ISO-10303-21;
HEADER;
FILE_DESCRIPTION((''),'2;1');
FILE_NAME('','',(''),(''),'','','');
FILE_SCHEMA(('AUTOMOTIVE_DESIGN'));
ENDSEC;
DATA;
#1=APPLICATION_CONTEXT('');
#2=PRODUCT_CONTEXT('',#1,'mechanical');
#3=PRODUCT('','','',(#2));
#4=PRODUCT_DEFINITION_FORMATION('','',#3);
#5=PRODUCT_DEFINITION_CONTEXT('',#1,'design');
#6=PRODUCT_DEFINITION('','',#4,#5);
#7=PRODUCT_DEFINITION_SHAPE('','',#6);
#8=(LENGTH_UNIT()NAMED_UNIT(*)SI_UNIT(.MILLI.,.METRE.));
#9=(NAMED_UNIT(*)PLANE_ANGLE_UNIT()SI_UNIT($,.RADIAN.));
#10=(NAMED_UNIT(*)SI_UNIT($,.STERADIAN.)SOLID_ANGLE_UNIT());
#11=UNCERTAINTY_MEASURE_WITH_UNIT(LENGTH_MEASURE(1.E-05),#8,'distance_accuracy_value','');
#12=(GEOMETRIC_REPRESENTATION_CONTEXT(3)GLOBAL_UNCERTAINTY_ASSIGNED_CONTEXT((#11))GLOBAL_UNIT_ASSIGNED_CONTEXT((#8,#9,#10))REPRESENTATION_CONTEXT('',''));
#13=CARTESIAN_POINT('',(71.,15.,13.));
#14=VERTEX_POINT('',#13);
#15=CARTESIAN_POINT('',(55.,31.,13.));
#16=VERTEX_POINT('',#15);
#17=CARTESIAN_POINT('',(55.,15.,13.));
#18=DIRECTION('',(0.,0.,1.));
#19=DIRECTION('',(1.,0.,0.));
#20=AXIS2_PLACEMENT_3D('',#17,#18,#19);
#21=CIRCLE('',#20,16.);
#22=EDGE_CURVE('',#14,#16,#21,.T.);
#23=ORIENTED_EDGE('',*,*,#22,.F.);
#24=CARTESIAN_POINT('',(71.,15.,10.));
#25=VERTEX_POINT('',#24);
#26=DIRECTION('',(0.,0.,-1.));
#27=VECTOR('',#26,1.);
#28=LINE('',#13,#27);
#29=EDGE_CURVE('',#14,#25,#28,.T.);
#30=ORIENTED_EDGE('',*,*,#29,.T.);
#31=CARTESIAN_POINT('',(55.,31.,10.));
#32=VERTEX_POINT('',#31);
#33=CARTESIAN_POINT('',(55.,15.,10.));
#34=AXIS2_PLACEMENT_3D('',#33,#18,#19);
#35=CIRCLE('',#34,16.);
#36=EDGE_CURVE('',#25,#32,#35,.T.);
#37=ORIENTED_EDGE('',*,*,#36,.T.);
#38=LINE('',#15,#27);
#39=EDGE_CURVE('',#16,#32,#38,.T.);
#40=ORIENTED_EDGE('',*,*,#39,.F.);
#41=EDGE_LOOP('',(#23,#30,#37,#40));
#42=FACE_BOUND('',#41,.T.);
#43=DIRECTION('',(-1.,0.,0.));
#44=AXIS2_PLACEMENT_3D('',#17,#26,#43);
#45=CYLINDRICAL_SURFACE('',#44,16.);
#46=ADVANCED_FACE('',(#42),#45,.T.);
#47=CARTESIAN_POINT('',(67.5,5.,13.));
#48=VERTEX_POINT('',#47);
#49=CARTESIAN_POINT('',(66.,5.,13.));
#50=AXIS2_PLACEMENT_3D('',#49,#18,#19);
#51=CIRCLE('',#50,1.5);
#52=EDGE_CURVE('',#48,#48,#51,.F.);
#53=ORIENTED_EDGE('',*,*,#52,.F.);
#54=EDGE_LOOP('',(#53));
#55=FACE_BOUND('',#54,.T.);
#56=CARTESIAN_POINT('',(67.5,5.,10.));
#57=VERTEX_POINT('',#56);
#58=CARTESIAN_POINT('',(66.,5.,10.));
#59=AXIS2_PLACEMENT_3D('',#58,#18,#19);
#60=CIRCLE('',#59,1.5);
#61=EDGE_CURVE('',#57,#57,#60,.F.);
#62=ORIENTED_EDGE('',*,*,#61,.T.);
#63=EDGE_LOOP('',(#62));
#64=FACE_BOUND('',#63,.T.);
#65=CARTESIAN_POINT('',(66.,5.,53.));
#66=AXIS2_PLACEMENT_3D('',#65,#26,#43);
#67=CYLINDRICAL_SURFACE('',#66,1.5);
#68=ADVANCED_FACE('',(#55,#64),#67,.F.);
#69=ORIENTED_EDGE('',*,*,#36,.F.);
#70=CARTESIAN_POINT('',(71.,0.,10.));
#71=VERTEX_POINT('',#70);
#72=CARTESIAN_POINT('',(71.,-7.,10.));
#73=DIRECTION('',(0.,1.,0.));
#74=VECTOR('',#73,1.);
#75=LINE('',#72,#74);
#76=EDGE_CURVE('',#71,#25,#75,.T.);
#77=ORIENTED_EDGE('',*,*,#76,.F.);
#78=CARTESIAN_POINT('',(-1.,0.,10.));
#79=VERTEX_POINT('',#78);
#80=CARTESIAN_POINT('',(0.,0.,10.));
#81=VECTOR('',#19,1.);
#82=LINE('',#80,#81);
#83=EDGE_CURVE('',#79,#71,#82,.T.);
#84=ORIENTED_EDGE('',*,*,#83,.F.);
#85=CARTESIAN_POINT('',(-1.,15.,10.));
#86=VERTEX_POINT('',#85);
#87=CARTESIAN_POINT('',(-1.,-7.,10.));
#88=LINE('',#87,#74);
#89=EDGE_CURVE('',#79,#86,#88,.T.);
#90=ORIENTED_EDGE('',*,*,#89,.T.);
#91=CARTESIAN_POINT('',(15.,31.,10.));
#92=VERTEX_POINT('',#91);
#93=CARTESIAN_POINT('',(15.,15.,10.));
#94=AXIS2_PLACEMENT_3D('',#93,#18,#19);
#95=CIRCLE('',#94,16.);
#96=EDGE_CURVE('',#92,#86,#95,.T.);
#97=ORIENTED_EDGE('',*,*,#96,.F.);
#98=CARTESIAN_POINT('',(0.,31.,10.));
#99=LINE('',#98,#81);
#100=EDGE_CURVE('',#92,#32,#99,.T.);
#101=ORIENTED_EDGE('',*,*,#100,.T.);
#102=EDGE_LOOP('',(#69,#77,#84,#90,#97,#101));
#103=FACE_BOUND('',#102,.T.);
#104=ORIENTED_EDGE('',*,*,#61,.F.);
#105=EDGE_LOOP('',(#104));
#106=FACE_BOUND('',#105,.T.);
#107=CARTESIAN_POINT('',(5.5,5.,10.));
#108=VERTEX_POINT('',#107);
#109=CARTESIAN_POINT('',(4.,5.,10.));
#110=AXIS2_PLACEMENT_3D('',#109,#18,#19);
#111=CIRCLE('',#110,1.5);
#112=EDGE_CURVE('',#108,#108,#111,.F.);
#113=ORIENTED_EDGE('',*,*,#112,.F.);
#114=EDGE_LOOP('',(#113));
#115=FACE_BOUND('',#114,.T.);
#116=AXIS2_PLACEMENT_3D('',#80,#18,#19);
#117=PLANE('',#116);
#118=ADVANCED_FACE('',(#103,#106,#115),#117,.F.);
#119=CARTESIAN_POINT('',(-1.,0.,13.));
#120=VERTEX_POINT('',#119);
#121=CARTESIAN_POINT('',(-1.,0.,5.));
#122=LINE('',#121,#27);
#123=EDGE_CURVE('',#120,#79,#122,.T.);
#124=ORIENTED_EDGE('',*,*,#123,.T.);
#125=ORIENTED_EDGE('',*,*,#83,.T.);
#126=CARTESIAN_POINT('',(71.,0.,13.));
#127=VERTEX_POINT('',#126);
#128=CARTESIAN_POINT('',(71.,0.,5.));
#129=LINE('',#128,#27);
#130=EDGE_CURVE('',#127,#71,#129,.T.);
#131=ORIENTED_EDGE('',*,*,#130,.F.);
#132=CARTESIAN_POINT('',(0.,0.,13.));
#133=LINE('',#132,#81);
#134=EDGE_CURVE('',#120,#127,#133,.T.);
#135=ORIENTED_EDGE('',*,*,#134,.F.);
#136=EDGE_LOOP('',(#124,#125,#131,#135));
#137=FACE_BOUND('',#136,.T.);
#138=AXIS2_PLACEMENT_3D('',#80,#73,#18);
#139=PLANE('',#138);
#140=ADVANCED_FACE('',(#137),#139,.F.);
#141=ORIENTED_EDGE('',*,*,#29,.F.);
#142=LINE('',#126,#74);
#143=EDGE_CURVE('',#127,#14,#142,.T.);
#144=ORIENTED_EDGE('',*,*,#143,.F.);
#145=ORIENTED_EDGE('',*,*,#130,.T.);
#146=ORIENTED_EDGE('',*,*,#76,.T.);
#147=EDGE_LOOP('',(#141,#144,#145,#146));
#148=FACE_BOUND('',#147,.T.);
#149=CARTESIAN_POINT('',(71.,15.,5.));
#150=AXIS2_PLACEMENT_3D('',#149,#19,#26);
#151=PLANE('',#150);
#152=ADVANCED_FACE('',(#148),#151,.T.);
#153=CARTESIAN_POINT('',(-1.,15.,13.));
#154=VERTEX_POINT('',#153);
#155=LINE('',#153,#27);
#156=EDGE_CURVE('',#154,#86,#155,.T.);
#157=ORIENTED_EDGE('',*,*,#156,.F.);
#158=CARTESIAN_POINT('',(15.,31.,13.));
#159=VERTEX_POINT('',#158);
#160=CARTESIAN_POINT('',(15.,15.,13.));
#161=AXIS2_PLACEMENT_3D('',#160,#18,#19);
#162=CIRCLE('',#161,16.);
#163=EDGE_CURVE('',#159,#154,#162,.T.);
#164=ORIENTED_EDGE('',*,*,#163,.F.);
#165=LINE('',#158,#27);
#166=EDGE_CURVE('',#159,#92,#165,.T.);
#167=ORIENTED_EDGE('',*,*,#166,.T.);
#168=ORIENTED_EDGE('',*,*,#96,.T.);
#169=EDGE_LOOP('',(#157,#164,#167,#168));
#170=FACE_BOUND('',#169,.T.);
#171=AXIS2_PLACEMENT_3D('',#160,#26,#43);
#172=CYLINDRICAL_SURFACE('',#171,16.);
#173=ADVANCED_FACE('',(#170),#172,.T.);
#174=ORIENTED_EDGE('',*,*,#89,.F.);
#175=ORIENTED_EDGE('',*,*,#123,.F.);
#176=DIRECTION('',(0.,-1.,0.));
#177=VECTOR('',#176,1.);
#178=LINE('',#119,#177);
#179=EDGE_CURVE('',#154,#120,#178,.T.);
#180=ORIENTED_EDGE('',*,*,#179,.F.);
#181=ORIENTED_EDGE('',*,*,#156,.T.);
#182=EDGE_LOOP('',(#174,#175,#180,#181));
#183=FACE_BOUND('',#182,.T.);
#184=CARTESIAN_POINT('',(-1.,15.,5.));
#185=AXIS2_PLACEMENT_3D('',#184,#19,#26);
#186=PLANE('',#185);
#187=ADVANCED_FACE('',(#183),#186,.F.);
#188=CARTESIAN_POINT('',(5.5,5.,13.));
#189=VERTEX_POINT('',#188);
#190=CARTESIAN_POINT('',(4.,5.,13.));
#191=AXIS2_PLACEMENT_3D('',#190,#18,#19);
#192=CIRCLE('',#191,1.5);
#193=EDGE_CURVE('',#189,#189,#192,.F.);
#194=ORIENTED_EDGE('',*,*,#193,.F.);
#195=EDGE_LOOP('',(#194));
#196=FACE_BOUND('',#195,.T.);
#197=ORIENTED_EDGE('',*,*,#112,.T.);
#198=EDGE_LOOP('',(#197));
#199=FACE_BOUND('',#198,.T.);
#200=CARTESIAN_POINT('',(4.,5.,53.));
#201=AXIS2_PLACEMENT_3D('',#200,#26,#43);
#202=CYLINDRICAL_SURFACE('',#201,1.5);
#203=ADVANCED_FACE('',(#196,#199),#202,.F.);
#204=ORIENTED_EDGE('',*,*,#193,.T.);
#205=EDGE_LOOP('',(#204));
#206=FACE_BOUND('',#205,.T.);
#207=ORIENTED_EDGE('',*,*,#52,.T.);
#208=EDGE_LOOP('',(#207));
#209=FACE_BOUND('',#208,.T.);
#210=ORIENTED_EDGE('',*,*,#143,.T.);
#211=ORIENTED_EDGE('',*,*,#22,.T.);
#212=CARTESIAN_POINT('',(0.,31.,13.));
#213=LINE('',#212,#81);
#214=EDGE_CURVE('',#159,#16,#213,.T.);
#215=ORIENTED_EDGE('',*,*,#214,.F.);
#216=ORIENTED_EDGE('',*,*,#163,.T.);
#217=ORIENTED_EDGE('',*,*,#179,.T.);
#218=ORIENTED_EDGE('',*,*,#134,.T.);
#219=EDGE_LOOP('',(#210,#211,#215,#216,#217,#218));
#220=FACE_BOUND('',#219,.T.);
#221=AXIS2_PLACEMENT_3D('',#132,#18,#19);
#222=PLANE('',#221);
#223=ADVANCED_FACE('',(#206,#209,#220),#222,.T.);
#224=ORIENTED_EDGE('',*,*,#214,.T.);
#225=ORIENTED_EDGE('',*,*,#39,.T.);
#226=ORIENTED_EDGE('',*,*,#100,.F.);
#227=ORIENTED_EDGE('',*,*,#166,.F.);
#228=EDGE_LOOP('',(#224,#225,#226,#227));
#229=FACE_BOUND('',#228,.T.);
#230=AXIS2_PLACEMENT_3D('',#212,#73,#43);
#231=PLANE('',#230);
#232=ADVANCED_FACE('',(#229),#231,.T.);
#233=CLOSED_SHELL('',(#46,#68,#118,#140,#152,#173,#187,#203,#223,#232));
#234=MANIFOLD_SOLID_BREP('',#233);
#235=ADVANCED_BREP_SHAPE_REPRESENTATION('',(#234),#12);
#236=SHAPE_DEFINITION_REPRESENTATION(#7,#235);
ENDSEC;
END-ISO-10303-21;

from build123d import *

# Parameters (mm, degrees)
SKETCH1_W               = 70
SKETCH1_H               = 70
BOSS_EXTRUDE1_DEPTH     = 10
SKETCH2_R               = 12
SKETCH2_R_2             = 2
SKETCH2_R_3             = 11.5
CUT_EXTRUDE1_DEPTH      = 10
SKETCH3_W               = 10
SKETCH3_H               = 70
BOSS_EXTRUDE2_DEPTH     = 15
SKETCH4_W               = 10
SKETCH4_H               = 70
BOSS_EXTRUDE3_DEPTH     = 15
SKETCH5_R               = 11.5
SKETCH5_R_2             = 4
BOSS_EXTRUDE4_DEPTH     = 2
SKETCH6_R               = 1.5
SKETCH6_R_2             = 1.648708122
CUT_EXTRUDE3_DEPTH      = 10
BOSS_EXTRUDE5_START     = -10
SKETCH7_R               = 11.986708095
SKETCH7_R_2             = 2
BOSS_EXTRUDE5_DEPTH     = 10
SKETCH8_R               = 12
CUT_EXTRUDE4_DEPTH      = 10
SKETCH9_R               = 2
CUT_EXTRUDE5_DEPTH      = 10
CUT_EXTRUDE7_DEPTH      = 5
SKETCH15_W              = 14
SKETCH15_H              = 70
CUT_EXTRUDE8_DEPTH      = 5
CUT_EXTRUDE9_DEPTH      = 19
CUT_EXTRUDE9_DEPTH_BACK = 48
SKETCH16_R              = 1.5
SKETCH17_R              = 5
CUT_EXTRUDE10_DEPTH     = 19
SKETCH18_W              = 44.558304453
SKETCH18_H              = 39
BOSS_EXTRUDE6_DEPTH     = 5
SKETCH19_R              = 1.5
SKETCH19_R_2            = 5
BOSS_EXTRUDE7_DEPTH     = 3
SKETCH20_W              = 72
SKETCH20_H              = 10
CUT_EXTRUDE11_DEPTH     = 77


with BuildPart() as part:
    # Sketch1 → Boss-Extrude1 (new body)
    with BuildSketch(Plane.XY):
        with Locations((35, 35)):
            Rectangle(SKETCH1_W, SKETCH1_H)
    extrude(amount=BOSS_EXTRUDE1_DEPTH)

    # Sketch2 → Cut-Extrude1 (cut)
    with BuildSketch(Plane.XY.offset(10)):
        with Locations((35, 49)):
            Circle(SKETCH2_R)
        with Locations((19.5, 65)):
            Circle(SKETCH2_R_2)
        with Locations((50.5, 65)):
            Circle(SKETCH2_R_2)
        with Locations((19.5, 34)):
            Circle(SKETCH2_R_2)
        with Locations((50.5, 34)):
            Circle(SKETCH2_R_2)
        with Locations((15, 15)):
            Circle(SKETCH2_R_3)
        with Locations((55, 15)):
            Circle(SKETCH2_R_3)
    extrude(amount=-CUT_EXTRUDE1_DEPTH, mode=Mode.SUBTRACT)

    # Sketch3 → Boss-Extrude2 (add)
    with BuildSketch(Plane.ZY):
        with Locations((5, 35)):
            Rectangle(SKETCH3_W, SKETCH3_H)
    extrude(amount=BOSS_EXTRUDE2_DEPTH)

    # Sketch4 → Boss-Extrude3 (add)
    with BuildSketch(Plane(origin=(70, 0, 0), x_dir=(0, 0, -1), z_dir=(1, 0, 0))):
        with Locations((-5, 35)):
            Rectangle(SKETCH4_W, SKETCH4_H)
    extrude(amount=BOSS_EXTRUDE3_DEPTH)

    # Sketch5 → Boss-Extrude4 (add)
    # profile 1 of 2: a face of its own
    with BuildSketch(Plane.XY.offset(10)):
        with Locations((15, 15)):
            Circle(SKETCH5_R)
        with Locations((15, 15)):
            Circle(SKETCH5_R_2, mode=Mode.SUBTRACT)
    # profile 2 of 2: a face of its own
    with BuildSketch(Plane.XY.offset(10)):
        with Locations((55, 15)):
            Circle(SKETCH5_R)
        with Locations((55, 15)):
            Circle(SKETCH5_R_2, mode=Mode.SUBTRACT)
    extrude(amount=-BOSS_EXTRUDE4_DEPTH)

    # Sketch6 → Cut-Extrude3 (cut)
    with BuildSketch(Plane(origin=(0, 0, 0), x_dir=(-1, 0, 0), z_dir=(0, 0, -1))):
        with Locations((-80, 65)):
            Circle(SKETCH6_R)
        with Locations((-80, 5)):
            Circle(SKETCH6_R)
        with Locations((10, 65)):
            Circle(SKETCH6_R_2)
        with Locations((10, 5)):
            Circle(SKETCH6_R)
    extrude(amount=-CUT_EXTRUDE3_DEPTH, mode=Mode.SUBTRACT)

    # Sketch7 → Boss-Extrude5 (add)
    with BuildSketch(Plane(origin=(0, 0, 0), x_dir=(-1, 0, 0), z_dir=(0, 0, -1)).offset(BOSS_EXTRUDE5_START)):
        with Locations((-35, 49)):
            Circle(SKETCH7_R)
        with Locations((-50.5, 65)):
            Circle(SKETCH7_R_2)
        with Locations((-19.5, 65)):
            Circle(SKETCH7_R_2)
        with Locations((-19.5, 34)):
            Circle(SKETCH7_R_2)
        with Locations((-50.5, 34)):
            Circle(SKETCH7_R_2)
    extrude(amount=BOSS_EXTRUDE5_DEPTH)


with BuildPart() as boss_extrude5_piece_1:
    # of the separate pieces the step leaves, piece 1, a body of its own (boss_extrude5_pieces)
    add(part.part.solids().sort_by_distance((-15, 0, 0))[0])


with BuildPart() as boss_extrude5_piece_2:
    # of the separate pieces the step leaves, piece 2, a body of its own (boss_extrude5_pieces)
    add(part.part.solids().sort_by_distance((23.013291905, 49, 10))[0])


with BuildPart() as cut_extrude4_tool:
    # Sketch8 → Cut-Extrude4 (new body)
    with BuildSketch(Plane(origin=(0, 0, 0), x_dir=(-1, 0, 0), z_dir=(0, 0, -1))):
        with Locations((-33.928692494, 49)):
            Circle(SKETCH8_R)
    extrude(amount=-CUT_EXTRUDE4_DEPTH)


with BuildPart() as boss_extrude5_piece_1_1:
    add(boss_extrude5_piece_1.part)

    # Cut-Extrude4: cut by cut_extrude4_tool
    add(cut_extrude4_tool.part, mode=Mode.SUBTRACT)

    # Sketch9 → Cut-Extrude5 (cut)
    with BuildSketch(Plane(origin=(0, 0, 0), x_dir=(-1, 0, 0), z_dir=(0, 0, -1))):
        with Locations((-49.428692494, 64.5)):
            Circle(SKETCH9_R)
        with Locations((-49.428692494, 33.5)):
            Circle(SKETCH9_R)
        with Locations((-18.428692494, 33.5)):
            Circle(SKETCH9_R)
        with Locations((-18.428692494, 64.5)):
            Circle(SKETCH9_R)
    extrude(amount=-CUT_EXTRUDE5_DEPTH, mode=Mode.SUBTRACT)


with BuildPart() as boss_extrude5_piece_2_1:
    add(boss_extrude5_piece_2.part)

    # Cut-Extrude4: cut by cut_extrude4_tool
    add(cut_extrude4_tool.part, mode=Mode.SUBTRACT)


with BuildPart() as cut_extrude7_tool:
    # Sketch14 → Cut-Extrude7 (new body)
    with BuildSketch(Plane(origin=(0, 0, 0), x_dir=(-1, 0, 0), z_dir=(0, 0, -1))):
        with BuildLine():
            Line((-85, 0), (-85, 70))
            Line((-85, 70), (15, 70))
            Line((15, 70), (15, 0))
            Line((15, 0), (1, 0))
            Line((1, 0), (1, 15))
            ThreePointArc((1, 15), (-15, 31), (-31, 15))
            Line((-31, 15), (-31, 0))
            Line((-31, 0), (-39, 0))
            Line((-39, 0), (-39, 15))
            ThreePointArc((-39, 15), (-55, 31), (-71, 15))
            Line((-71, 15), (-71, 0))
            Line((-71, 0), (-85, 0))
        make_face()
    extrude(amount=-CUT_EXTRUDE7_DEPTH)


with BuildPart() as boss_extrude5_piece_1_2:
    add(boss_extrude5_piece_1_1.part)

    # Cut-Extrude7: cut by cut_extrude7_tool
    add(cut_extrude7_tool.part, mode=Mode.SUBTRACT)

    # Sketch15 → Cut-Extrude8 (cut)
    with BuildSketch(Plane(origin=(0, 0, 5), x_dir=(-1, 0, 0), z_dir=(0, 0, -1))):
        with Locations((-78, 35)):
            Rectangle(SKETCH15_W, SKETCH15_H)
        with Locations((8, 35)):
            Rectangle(SKETCH15_W, SKETCH15_H)
    extrude(amount=-CUT_EXTRUDE8_DEPTH, mode=Mode.SUBTRACT)

    # Sketch16 → Cut-Extrude9 (cut, two sides: drawn at the far end of the back side and taken through both)
    with BuildSketch(Plane(origin=(0, 0, 5), x_dir=(-1, 0, 0), z_dir=(0, 0, -1)).offset(-CUT_EXTRUDE9_DEPTH_BACK)):
        with Locations((-66, 65)):
            Circle(SKETCH16_R)
        with Locations((-66, 5)):
            Circle(SKETCH16_R)
        with Locations((-4, 5)):
            Circle(SKETCH16_R)
        with Locations((-4, 65)):
            Circle(SKETCH16_R)
    extrude(amount=CUT_EXTRUDE9_DEPTH + CUT_EXTRUDE9_DEPTH_BACK, mode=Mode.SUBTRACT)

    # Sketch17 → Cut-Extrude10 (cut)
    with BuildSketch(Plane(origin=(0, 0, 8), x_dir=(-1, 0, 0), z_dir=(0, 0, -1))):
        with Locations((-15, 15)):
            Circle(SKETCH17_R)
        with Locations((-55, 15)):
            Circle(SKETCH17_R)
    extrude(amount=-CUT_EXTRUDE10_DEPTH, mode=Mode.SUBTRACT)



with BuildPart() as boss_extrude5_piece_2_2:
    add(boss_extrude5_piece_2_1.part)

    # Cut-Extrude7: cut by cut_extrude7_tool
    add(cut_extrude7_tool.part, mode=Mode.SUBTRACT)


with BuildPart() as boss_extrude5_piece_1_3:
    add(boss_extrude5_piece_1_2.part)

    add(boss_extrude5_piece_2_2.part)  # Boss-Extrude6 merges Boss-Extrude5 piece 2
    # Sketch18 → Boss-Extrude6 (add)
    with BuildSketch(Plane(origin=(0, 0, 5), x_dir=(-1, 0, 0), z_dir=(0, 0, -1))):
        with Locations((-37.279152227, 50.5)):
            Rectangle(SKETCH18_W, SKETCH18_H)
    extrude(amount=-BOSS_EXTRUDE6_DEPTH)

    # Sketch19 → Boss-Extrude7 (add)
    # profile 1 of 3: a face of its own
    with BuildSketch(Plane.XY.offset(10)):
        with BuildLine():
            Line((71, 0), (71, 15))
            ThreePointArc((71, 15), (66.313708499, 26.313708499), (55, 31))
            Line((55, 31), (15, 31))
            ThreePointArc((15, 31), (3.686291501, 26.313708499), (-1, 15))
            Line((-1, 15), (-1, 0))
            Line((-1, 0), (71, 0))
        make_face()
        with Locations(Location((4, 5, 0), (0, 0, 180))):
            Circle(SKETCH19_R, mode=Mode.SUBTRACT)
        with Locations(Location((15, 15, 0), (0, 0, 180))):
            Circle(SKETCH19_R_2, mode=Mode.SUBTRACT)
        with Locations(Location((66, 5, 0), (0, 0, 180))):
            Circle(SKETCH19_R, mode=Mode.SUBTRACT)
        with Locations(Location((55, 15, 0), (0, 0, 180))):
            Circle(SKETCH19_R_2, mode=Mode.SUBTRACT)
    # profile 2 of 3: a face of its own
    with BuildSketch(Plane.XY.offset(10)):
        with Locations(Location((55, 15, 0), (0, 0, 180))):
            Circle(SKETCH19_R_2)
    # profile 3 of 3: a face of its own
    with BuildSketch(Plane.XY.offset(10)):
        with Locations(Location((15, 15, 0), (0, 0, 180))):
            Circle(SKETCH19_R_2)
    extrude(amount=BOSS_EXTRUDE7_DEPTH)

    # Sketch20 → Cut-Extrude11 (cut)
    with BuildSketch(Plane(origin=(0, 70, 0), x_dir=(1, 0, 0), z_dir=(0, 1, 0))):
        with Locations((35, -5)):
            Rectangle(SKETCH20_W, SKETCH20_H)
    extrude(amount=-CUT_EXTRUDE11_DEPTH, mode=Mode.SUBTRACT)


solid = boss_extrude5_piece_1_3.part
